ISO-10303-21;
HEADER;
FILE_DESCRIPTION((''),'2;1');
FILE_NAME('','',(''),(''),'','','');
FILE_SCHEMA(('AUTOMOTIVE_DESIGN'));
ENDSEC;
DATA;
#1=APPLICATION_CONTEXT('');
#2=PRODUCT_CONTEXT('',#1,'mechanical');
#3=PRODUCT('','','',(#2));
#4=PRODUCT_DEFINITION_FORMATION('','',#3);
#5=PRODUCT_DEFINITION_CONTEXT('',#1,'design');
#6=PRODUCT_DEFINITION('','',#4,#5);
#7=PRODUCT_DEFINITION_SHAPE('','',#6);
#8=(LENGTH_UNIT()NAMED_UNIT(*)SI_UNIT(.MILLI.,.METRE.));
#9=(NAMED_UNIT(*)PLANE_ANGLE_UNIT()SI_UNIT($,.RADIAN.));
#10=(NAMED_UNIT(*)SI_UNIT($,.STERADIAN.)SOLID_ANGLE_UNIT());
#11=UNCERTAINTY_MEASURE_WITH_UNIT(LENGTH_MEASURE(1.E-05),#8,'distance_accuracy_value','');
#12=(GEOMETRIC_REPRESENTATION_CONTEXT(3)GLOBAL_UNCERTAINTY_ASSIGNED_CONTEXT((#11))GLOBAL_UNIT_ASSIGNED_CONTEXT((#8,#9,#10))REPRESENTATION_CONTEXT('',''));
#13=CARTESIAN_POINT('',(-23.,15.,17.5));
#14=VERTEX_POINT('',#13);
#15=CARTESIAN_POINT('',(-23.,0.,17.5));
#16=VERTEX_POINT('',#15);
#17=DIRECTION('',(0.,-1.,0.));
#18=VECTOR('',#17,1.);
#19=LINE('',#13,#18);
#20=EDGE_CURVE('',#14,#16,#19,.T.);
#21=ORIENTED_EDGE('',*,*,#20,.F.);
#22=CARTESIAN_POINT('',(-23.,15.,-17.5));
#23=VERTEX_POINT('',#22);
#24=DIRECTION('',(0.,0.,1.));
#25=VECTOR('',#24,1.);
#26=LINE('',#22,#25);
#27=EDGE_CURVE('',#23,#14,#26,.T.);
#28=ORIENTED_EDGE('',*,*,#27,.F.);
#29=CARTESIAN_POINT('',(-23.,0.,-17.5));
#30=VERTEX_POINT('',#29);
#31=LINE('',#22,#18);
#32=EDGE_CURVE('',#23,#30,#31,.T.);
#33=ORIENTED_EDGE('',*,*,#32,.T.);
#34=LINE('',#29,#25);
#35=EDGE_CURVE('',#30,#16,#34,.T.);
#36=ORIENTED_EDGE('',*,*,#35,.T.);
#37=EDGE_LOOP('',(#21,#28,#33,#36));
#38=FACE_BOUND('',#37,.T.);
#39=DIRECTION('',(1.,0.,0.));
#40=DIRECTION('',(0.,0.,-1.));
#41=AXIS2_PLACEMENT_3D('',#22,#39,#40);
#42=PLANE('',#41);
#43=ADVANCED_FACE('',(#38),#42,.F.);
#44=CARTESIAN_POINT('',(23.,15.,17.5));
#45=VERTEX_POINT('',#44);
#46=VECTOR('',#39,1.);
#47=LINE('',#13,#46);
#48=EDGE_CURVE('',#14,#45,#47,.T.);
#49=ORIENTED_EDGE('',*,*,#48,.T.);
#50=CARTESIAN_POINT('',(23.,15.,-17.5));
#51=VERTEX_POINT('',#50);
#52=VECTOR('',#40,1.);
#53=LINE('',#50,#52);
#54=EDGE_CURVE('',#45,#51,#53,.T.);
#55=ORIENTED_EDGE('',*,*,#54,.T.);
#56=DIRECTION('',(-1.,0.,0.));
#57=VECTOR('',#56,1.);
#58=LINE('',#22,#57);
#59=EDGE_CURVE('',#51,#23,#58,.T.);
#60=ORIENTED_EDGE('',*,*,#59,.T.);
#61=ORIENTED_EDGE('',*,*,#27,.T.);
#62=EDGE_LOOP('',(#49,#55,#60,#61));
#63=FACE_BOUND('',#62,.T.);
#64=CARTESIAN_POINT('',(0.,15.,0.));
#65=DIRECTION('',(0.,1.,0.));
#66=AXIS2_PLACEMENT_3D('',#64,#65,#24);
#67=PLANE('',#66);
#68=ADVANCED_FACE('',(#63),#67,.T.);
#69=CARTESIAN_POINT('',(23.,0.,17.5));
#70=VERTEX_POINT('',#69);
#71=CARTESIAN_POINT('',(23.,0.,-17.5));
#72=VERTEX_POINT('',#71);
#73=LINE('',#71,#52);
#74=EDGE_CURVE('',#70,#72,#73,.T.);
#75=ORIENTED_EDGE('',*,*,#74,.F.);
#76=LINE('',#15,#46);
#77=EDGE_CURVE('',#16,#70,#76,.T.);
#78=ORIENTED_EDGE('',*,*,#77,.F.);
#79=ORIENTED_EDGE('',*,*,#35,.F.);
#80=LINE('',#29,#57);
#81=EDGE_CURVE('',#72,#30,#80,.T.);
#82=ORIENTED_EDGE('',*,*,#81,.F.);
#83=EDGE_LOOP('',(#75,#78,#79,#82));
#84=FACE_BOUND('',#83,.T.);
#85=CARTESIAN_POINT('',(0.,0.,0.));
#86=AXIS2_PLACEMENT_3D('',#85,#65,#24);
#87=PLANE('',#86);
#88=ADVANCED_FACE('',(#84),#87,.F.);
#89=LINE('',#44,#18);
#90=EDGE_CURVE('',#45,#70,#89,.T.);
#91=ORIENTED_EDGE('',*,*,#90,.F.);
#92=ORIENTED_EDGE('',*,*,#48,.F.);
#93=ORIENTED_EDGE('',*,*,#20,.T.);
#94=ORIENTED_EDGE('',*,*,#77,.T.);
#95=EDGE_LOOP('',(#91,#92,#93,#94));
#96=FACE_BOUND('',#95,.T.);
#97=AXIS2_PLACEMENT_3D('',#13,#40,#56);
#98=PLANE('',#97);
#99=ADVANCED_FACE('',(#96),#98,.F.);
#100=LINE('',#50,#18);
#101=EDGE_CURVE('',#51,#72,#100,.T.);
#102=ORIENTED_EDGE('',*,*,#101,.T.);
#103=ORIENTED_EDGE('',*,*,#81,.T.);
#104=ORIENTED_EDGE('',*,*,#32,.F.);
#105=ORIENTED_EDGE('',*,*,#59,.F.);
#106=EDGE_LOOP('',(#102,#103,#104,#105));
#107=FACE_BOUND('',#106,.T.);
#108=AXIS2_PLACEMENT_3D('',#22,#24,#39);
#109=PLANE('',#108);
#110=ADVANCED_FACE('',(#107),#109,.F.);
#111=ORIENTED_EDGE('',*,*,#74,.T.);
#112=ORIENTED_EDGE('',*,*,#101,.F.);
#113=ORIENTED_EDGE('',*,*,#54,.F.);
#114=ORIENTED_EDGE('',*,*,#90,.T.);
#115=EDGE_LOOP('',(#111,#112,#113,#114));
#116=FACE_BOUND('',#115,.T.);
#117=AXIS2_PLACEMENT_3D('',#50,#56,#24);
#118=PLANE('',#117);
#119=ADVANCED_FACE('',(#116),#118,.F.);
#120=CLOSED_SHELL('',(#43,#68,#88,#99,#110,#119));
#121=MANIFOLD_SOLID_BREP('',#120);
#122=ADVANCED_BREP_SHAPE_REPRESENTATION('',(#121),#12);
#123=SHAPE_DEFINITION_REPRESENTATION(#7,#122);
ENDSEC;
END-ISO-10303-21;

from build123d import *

# Parameters (mm, degrees)
ESBO_O1_W                = 46
ESBO_O1_H                = 35
RESSALTO_EXTRUS_O1_DEPTH = 15


with BuildPart() as part:
    # Esboço1 → Ressalto-extrusão1 (new body)
    with BuildSketch(Plane(origin=(0, 0, 0), x_dir=(1, 0, 0), z_dir=(0, 1, 0))):
        Rectangle(ESBO_O1_W, ESBO_O1_H)
    extrude(amount=RESSALTO_EXTRUS_O1_DEPTH)


solid = part.part
